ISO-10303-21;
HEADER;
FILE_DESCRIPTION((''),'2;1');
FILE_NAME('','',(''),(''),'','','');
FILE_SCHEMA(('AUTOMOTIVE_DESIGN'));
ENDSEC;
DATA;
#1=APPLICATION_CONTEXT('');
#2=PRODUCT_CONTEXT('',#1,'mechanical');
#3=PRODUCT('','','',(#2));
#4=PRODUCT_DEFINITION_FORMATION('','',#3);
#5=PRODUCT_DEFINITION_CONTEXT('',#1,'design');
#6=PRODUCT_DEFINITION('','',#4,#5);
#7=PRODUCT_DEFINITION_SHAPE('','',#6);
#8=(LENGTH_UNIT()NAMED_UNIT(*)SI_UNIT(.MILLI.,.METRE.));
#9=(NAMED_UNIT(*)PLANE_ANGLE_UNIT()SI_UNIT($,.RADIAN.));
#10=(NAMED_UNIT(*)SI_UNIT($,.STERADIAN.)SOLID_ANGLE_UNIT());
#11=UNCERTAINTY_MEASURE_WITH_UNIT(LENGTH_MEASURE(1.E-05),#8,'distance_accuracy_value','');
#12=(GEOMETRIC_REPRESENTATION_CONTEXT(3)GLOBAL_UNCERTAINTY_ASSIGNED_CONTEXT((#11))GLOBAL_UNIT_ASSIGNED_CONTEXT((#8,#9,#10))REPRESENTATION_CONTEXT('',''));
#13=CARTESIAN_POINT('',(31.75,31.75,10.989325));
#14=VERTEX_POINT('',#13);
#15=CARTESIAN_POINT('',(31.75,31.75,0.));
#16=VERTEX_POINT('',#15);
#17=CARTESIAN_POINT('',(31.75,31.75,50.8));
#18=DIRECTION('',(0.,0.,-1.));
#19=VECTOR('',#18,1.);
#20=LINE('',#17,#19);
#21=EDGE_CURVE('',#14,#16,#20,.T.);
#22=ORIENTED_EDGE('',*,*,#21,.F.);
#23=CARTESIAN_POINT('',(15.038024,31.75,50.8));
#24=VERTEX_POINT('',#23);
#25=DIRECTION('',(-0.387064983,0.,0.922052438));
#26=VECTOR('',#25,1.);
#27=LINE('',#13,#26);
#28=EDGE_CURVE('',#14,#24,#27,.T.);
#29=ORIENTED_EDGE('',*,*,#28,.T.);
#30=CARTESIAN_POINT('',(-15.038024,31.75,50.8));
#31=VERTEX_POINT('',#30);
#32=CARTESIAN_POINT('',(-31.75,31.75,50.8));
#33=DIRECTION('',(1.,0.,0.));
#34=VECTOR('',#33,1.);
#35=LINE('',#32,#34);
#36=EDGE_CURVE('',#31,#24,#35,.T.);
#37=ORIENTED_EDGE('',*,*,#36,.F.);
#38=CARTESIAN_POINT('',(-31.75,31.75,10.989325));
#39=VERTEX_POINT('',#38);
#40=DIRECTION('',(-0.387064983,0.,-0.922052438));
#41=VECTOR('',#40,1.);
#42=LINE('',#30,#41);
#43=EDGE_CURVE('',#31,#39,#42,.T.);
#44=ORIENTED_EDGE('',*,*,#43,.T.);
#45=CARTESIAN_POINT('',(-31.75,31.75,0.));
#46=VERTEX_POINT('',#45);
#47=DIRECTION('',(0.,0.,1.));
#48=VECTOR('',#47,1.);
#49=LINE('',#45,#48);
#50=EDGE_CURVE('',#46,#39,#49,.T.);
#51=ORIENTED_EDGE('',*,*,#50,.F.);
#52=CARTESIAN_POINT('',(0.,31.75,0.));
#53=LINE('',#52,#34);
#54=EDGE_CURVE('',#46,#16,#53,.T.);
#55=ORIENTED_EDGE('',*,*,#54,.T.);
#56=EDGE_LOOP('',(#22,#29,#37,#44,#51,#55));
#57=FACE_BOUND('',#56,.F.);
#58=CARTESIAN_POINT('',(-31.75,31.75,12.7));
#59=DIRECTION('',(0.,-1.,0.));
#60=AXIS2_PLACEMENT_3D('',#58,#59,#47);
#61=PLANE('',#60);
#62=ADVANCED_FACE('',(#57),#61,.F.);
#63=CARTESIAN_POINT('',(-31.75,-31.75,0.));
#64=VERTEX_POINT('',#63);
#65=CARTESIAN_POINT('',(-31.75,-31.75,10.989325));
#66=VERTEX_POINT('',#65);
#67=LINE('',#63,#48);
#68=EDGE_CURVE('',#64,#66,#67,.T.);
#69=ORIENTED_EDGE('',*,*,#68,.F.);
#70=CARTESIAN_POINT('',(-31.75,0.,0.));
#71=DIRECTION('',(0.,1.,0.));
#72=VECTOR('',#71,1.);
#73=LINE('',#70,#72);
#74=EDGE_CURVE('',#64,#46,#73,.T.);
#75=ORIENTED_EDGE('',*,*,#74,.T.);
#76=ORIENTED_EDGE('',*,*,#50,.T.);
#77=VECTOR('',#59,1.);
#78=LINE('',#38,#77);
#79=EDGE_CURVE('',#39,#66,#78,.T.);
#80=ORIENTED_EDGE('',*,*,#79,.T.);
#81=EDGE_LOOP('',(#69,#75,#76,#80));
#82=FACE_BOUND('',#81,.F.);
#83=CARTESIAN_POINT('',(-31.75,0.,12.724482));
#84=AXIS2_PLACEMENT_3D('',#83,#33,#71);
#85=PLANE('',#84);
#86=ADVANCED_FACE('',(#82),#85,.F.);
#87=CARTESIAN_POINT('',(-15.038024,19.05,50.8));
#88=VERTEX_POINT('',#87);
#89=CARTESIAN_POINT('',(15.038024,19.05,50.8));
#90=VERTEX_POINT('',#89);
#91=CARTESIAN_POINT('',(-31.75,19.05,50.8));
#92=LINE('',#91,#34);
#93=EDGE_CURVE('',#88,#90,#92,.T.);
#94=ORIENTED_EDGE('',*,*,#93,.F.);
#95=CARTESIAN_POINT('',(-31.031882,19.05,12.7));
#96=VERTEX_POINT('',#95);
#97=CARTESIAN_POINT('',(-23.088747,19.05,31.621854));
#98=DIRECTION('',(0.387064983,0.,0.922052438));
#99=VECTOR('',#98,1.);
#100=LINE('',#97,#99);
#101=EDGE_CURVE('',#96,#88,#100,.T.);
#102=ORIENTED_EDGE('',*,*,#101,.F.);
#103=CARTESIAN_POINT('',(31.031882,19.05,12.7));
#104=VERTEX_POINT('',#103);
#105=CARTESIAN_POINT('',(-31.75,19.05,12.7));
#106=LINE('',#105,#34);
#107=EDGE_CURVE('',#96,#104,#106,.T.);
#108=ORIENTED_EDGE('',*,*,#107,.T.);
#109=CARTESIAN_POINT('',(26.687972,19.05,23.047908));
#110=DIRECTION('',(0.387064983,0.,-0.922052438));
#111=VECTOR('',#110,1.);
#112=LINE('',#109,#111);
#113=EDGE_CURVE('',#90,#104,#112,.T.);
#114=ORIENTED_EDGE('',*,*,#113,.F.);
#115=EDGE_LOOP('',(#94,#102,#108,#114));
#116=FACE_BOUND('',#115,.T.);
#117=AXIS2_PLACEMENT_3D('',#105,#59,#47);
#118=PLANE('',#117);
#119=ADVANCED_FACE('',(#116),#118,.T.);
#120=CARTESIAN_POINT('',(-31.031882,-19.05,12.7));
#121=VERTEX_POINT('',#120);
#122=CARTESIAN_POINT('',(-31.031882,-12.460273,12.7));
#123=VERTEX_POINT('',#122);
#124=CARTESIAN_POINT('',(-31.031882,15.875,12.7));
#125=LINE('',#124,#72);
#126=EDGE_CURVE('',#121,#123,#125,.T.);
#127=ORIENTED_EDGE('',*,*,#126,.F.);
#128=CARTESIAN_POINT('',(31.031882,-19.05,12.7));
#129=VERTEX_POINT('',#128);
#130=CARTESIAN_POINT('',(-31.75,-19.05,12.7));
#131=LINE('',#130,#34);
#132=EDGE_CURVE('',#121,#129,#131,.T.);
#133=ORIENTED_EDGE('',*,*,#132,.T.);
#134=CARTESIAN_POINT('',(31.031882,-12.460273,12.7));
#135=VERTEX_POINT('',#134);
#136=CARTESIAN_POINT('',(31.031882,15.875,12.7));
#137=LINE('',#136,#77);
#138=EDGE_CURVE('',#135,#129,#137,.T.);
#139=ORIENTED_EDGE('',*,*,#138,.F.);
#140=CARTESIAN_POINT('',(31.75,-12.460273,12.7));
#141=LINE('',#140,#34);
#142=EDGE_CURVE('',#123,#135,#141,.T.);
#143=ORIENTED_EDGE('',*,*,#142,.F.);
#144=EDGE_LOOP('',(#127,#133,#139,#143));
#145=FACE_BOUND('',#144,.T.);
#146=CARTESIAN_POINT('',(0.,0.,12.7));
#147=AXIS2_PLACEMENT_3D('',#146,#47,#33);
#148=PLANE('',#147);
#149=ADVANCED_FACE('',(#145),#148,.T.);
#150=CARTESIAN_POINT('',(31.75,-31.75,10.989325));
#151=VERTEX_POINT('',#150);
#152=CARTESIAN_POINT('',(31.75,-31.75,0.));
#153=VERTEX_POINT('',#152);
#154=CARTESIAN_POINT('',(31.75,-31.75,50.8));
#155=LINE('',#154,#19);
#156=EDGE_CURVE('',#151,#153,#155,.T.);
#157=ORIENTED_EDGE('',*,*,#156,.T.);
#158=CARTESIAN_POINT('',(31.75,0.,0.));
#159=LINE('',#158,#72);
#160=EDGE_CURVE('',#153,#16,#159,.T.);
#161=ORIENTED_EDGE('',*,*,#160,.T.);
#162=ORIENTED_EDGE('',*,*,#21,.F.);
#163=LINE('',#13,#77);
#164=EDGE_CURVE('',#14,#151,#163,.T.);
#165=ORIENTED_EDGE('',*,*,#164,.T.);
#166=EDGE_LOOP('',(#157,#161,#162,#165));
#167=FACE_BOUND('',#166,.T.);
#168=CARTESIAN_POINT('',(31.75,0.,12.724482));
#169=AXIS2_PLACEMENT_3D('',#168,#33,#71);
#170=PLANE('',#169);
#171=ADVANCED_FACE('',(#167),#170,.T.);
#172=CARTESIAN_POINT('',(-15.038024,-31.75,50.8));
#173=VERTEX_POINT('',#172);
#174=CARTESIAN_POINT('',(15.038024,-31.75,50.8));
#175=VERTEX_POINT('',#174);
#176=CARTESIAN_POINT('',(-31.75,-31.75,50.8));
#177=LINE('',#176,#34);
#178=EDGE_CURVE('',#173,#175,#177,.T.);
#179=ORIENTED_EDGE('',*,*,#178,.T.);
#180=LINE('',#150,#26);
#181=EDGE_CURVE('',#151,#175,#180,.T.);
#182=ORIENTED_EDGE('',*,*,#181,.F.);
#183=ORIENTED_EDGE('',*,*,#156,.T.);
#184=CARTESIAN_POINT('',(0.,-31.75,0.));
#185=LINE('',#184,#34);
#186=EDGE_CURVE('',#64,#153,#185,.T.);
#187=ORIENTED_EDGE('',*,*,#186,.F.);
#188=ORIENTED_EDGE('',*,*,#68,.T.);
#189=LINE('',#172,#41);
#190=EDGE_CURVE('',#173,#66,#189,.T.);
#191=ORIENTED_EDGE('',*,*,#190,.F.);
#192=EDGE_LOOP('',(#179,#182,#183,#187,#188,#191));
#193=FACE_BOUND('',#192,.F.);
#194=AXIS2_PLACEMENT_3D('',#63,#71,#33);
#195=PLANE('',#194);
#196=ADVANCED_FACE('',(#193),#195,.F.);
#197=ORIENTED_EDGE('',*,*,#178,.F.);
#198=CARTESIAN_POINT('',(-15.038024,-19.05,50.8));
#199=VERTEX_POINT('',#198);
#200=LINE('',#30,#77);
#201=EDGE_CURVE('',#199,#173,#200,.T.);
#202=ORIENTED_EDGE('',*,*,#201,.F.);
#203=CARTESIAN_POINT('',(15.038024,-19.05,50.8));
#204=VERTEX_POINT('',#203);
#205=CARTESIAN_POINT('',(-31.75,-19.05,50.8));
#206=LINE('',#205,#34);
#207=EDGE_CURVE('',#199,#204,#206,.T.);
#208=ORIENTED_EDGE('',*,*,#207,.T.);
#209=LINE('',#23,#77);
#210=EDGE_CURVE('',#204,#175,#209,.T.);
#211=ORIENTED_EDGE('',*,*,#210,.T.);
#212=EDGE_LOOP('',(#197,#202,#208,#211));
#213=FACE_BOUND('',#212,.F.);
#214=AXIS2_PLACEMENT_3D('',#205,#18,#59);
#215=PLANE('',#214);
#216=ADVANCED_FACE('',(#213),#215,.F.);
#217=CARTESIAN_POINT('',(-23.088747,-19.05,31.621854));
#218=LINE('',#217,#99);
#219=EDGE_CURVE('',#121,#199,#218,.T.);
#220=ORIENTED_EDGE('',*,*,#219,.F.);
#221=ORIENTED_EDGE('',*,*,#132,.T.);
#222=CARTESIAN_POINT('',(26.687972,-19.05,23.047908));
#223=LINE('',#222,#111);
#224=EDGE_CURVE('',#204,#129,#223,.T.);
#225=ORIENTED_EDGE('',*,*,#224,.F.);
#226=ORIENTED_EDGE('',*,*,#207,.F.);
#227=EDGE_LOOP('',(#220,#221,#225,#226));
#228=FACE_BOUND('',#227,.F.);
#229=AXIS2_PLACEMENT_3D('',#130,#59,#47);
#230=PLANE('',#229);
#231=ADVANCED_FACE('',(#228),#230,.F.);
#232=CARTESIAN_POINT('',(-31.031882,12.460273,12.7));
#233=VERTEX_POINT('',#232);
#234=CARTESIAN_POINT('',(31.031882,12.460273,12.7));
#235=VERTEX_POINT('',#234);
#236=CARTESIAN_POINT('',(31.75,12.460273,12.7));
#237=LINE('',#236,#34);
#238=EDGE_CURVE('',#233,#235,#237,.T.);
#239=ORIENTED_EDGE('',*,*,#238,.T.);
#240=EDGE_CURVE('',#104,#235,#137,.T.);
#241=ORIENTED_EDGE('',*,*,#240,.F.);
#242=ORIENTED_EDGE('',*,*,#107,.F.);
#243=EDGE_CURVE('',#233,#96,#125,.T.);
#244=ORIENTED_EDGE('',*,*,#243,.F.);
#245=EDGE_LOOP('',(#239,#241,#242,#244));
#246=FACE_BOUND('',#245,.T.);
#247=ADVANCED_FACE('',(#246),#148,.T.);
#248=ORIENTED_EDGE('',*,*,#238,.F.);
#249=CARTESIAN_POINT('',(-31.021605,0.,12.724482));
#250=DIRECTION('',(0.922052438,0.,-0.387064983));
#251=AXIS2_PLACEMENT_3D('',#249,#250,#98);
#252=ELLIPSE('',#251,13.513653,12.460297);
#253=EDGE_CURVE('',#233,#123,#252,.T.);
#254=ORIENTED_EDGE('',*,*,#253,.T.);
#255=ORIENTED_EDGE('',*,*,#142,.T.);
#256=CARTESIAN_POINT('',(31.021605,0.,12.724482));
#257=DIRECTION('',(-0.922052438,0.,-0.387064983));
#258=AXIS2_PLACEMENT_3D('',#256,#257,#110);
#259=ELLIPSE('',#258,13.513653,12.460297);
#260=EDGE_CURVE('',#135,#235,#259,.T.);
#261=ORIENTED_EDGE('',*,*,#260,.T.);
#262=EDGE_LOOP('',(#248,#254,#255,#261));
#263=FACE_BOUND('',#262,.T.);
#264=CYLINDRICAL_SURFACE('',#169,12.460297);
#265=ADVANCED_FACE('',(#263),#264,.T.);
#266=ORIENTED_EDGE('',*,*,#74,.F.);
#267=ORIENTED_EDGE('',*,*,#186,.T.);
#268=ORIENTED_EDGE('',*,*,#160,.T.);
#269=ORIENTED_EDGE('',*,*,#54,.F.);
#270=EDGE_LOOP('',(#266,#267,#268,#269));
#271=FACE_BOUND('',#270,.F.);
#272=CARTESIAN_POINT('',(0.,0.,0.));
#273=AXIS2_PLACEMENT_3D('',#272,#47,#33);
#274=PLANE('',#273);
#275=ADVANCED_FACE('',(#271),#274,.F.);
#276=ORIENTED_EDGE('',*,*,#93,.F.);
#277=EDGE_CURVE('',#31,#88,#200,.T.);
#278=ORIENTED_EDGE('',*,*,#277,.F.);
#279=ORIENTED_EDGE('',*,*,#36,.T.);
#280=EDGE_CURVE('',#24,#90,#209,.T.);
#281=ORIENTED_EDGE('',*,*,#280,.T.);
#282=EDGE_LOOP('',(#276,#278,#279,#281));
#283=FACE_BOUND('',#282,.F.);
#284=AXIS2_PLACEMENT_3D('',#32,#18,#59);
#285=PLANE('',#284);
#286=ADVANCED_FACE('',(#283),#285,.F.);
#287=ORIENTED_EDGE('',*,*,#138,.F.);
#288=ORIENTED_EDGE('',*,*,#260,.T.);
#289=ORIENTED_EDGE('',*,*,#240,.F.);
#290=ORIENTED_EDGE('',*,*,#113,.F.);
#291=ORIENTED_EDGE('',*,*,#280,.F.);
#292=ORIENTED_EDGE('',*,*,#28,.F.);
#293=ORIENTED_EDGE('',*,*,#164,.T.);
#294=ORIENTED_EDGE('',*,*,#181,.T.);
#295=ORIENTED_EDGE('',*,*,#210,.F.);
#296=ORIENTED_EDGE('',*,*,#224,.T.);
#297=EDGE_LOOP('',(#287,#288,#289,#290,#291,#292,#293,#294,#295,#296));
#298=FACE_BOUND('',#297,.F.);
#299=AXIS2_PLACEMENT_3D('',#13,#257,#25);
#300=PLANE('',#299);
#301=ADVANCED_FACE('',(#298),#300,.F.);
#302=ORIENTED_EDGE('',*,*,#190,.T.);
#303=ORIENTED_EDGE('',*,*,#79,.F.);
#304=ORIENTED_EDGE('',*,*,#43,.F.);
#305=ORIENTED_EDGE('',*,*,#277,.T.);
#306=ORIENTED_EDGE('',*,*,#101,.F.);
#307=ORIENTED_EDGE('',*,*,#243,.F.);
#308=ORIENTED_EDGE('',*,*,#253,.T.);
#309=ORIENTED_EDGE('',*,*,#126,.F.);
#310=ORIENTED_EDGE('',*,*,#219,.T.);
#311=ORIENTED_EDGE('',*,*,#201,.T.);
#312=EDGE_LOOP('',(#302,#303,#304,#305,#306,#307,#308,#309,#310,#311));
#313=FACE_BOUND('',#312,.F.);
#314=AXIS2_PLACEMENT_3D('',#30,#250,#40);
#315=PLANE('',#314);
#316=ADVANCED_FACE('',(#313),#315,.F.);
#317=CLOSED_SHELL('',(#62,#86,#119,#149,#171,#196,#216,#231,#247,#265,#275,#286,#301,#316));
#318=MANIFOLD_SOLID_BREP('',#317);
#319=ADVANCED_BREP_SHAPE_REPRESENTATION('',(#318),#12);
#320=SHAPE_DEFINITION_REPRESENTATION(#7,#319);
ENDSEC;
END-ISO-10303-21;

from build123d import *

# Parameters (mm, degrees)
F0_W     = 63.5
F0_H     = 63.5
F1_DEPTH = 12.7
F2_W     = 12.7
F2_H     = 38.1
F3_DEPTH = 63.5
F4_R     = 12.460297
F5_DEPTH = 63.5
F7_DEPTH = 63.5


with BuildPart() as f1:
    # F0 (on Top) → F1 (new body)
    with BuildSketch(Plane.XY):
        Rectangle(F0_W, F0_H)
    extrude(amount=F1_DEPTH)

    # F2 (on face) → F3 (join)
    with BuildSketch(Plane(origin=(-31.75, 0, 0), x_dir=(0, -1, 0), z_dir=(-1, 0, 0))):
        with Locations((-25.4, 31.75)):
            Rectangle(F2_W, F2_H)
        with Locations((25.4, 31.75)):
            Rectangle(F2_W, F2_H)
    extrude(amount=-F3_DEPTH)

    # F4 (on face) → F5 (join)
    with BuildSketch(Plane.YZ.offset(31.75)):
        with Locations((0, 12.724482)):
            Circle(F4_R)
    extrude(amount=-F5_DEPTH)

    # F6 (on face) → F7 (cut)
    with BuildSketch(Plane(origin=(0, 31.75, 0), x_dir=(-1, 0, 0), z_dir=(0, 1, 0))):
        Polygon((-31.75, 50.8), (-31.75, 10.989325), (-15.038024, 50.8), align=None)
        Polygon((15.038024, 50.8), (31.75, 10.989325), (31.75, 50.8), align=None)
    extrude(amount=-F7_DEPTH, mode=Mode.SUBTRACT)


solid = f1.part
